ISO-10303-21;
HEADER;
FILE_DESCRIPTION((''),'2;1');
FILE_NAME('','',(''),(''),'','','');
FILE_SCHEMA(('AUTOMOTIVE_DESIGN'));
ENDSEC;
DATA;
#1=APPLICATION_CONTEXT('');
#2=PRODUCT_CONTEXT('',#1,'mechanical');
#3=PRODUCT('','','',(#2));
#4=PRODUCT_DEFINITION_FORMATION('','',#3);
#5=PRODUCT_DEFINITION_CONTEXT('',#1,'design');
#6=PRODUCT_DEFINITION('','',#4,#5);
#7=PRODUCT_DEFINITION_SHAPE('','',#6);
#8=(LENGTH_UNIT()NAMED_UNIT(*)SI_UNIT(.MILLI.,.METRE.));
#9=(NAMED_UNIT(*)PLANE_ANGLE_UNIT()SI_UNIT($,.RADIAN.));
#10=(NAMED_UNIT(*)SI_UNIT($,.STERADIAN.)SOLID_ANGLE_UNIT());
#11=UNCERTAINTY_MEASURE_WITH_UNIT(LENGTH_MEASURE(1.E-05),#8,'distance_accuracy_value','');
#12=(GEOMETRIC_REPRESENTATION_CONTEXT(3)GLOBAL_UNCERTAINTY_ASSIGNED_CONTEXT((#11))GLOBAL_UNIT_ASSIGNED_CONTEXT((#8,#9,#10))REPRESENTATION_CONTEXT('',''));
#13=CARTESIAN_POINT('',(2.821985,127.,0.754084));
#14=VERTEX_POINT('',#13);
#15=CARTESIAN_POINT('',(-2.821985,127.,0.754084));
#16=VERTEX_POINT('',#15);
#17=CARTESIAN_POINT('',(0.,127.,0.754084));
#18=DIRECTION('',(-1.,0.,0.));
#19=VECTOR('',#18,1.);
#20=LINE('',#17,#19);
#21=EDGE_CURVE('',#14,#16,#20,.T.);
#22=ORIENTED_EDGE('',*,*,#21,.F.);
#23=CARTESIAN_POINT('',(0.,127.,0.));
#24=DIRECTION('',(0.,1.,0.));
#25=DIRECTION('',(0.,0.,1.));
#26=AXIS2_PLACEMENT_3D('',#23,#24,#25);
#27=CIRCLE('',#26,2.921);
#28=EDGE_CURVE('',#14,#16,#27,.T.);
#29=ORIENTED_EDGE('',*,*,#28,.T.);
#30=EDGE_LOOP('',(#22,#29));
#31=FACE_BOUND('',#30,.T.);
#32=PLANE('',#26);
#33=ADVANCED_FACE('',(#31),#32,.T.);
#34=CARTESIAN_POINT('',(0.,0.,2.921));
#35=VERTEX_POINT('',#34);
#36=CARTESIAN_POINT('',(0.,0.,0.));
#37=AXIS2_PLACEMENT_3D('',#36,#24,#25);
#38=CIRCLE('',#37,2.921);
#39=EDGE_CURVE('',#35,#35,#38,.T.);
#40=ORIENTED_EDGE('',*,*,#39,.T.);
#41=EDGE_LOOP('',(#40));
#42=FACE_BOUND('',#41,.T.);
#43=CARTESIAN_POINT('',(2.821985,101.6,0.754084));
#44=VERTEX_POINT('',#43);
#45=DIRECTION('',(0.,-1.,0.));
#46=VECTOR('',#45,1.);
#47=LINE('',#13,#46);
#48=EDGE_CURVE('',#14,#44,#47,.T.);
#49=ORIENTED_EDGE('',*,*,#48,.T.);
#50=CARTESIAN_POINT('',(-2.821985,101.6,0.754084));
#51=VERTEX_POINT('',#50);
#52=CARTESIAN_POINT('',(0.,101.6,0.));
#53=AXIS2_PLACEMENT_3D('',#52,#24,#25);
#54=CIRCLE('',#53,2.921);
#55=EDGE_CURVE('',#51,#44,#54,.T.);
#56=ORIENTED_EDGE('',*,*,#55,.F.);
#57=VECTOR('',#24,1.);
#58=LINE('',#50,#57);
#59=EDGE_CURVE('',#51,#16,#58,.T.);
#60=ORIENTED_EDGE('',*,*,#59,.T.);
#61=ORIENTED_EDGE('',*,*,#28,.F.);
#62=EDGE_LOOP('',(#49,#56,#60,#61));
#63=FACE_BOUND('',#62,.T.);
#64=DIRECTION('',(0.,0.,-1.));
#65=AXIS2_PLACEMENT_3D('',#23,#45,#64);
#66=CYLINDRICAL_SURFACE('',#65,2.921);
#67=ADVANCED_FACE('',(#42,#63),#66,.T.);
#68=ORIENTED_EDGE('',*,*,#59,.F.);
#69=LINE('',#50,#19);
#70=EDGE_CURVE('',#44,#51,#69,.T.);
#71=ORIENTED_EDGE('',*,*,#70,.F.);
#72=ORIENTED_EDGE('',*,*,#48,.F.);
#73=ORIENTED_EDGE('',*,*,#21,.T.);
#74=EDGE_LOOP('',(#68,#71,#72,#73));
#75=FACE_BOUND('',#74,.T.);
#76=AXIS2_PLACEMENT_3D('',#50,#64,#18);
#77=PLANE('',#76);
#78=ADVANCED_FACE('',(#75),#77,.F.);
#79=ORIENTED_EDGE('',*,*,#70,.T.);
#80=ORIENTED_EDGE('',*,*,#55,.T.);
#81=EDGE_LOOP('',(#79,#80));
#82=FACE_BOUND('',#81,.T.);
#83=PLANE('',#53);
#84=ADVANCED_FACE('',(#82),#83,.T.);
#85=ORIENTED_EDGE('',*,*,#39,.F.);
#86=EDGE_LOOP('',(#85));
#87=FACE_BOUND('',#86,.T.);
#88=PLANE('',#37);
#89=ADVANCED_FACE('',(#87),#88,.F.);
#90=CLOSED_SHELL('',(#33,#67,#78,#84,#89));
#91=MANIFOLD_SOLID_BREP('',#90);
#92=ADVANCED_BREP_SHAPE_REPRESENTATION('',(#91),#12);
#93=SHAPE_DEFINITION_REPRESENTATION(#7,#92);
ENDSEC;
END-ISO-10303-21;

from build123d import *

# Parameters (mm, degrees)
SKETCH1_R           = 2.921
BOSS_EXTRUDE1_DEPTH = 127
SKETCH2_W           = 5.68457404
SKETCH2_H           = 2.372266765
CUT_EXTRUDE1_DEPTH  = 25.4


with BuildPart() as part:
    # Sketch1 → Boss-Extrude1 (new body)
    with BuildSketch(Plane(origin=(0, 0, 0), x_dir=(1, 0, 0), z_dir=(0, 1, 0))):
        Circle(SKETCH1_R)
    extrude(amount=BOSS_EXTRUDE1_DEPTH)

    # Sketch2 → Cut-Extrude1 (cut)
    with BuildSketch(Plane(origin=(0, 127, 0), x_dir=(1, 0, 0), z_dir=(0, 1, 0))):
        with Locations((0.020302225, -1.940217474)):
            Rectangle(SKETCH2_W, SKETCH2_H)
    extrude(amount=-CUT_EXTRUDE1_DEPTH, mode=Mode.SUBTRACT)


solid = part.part
